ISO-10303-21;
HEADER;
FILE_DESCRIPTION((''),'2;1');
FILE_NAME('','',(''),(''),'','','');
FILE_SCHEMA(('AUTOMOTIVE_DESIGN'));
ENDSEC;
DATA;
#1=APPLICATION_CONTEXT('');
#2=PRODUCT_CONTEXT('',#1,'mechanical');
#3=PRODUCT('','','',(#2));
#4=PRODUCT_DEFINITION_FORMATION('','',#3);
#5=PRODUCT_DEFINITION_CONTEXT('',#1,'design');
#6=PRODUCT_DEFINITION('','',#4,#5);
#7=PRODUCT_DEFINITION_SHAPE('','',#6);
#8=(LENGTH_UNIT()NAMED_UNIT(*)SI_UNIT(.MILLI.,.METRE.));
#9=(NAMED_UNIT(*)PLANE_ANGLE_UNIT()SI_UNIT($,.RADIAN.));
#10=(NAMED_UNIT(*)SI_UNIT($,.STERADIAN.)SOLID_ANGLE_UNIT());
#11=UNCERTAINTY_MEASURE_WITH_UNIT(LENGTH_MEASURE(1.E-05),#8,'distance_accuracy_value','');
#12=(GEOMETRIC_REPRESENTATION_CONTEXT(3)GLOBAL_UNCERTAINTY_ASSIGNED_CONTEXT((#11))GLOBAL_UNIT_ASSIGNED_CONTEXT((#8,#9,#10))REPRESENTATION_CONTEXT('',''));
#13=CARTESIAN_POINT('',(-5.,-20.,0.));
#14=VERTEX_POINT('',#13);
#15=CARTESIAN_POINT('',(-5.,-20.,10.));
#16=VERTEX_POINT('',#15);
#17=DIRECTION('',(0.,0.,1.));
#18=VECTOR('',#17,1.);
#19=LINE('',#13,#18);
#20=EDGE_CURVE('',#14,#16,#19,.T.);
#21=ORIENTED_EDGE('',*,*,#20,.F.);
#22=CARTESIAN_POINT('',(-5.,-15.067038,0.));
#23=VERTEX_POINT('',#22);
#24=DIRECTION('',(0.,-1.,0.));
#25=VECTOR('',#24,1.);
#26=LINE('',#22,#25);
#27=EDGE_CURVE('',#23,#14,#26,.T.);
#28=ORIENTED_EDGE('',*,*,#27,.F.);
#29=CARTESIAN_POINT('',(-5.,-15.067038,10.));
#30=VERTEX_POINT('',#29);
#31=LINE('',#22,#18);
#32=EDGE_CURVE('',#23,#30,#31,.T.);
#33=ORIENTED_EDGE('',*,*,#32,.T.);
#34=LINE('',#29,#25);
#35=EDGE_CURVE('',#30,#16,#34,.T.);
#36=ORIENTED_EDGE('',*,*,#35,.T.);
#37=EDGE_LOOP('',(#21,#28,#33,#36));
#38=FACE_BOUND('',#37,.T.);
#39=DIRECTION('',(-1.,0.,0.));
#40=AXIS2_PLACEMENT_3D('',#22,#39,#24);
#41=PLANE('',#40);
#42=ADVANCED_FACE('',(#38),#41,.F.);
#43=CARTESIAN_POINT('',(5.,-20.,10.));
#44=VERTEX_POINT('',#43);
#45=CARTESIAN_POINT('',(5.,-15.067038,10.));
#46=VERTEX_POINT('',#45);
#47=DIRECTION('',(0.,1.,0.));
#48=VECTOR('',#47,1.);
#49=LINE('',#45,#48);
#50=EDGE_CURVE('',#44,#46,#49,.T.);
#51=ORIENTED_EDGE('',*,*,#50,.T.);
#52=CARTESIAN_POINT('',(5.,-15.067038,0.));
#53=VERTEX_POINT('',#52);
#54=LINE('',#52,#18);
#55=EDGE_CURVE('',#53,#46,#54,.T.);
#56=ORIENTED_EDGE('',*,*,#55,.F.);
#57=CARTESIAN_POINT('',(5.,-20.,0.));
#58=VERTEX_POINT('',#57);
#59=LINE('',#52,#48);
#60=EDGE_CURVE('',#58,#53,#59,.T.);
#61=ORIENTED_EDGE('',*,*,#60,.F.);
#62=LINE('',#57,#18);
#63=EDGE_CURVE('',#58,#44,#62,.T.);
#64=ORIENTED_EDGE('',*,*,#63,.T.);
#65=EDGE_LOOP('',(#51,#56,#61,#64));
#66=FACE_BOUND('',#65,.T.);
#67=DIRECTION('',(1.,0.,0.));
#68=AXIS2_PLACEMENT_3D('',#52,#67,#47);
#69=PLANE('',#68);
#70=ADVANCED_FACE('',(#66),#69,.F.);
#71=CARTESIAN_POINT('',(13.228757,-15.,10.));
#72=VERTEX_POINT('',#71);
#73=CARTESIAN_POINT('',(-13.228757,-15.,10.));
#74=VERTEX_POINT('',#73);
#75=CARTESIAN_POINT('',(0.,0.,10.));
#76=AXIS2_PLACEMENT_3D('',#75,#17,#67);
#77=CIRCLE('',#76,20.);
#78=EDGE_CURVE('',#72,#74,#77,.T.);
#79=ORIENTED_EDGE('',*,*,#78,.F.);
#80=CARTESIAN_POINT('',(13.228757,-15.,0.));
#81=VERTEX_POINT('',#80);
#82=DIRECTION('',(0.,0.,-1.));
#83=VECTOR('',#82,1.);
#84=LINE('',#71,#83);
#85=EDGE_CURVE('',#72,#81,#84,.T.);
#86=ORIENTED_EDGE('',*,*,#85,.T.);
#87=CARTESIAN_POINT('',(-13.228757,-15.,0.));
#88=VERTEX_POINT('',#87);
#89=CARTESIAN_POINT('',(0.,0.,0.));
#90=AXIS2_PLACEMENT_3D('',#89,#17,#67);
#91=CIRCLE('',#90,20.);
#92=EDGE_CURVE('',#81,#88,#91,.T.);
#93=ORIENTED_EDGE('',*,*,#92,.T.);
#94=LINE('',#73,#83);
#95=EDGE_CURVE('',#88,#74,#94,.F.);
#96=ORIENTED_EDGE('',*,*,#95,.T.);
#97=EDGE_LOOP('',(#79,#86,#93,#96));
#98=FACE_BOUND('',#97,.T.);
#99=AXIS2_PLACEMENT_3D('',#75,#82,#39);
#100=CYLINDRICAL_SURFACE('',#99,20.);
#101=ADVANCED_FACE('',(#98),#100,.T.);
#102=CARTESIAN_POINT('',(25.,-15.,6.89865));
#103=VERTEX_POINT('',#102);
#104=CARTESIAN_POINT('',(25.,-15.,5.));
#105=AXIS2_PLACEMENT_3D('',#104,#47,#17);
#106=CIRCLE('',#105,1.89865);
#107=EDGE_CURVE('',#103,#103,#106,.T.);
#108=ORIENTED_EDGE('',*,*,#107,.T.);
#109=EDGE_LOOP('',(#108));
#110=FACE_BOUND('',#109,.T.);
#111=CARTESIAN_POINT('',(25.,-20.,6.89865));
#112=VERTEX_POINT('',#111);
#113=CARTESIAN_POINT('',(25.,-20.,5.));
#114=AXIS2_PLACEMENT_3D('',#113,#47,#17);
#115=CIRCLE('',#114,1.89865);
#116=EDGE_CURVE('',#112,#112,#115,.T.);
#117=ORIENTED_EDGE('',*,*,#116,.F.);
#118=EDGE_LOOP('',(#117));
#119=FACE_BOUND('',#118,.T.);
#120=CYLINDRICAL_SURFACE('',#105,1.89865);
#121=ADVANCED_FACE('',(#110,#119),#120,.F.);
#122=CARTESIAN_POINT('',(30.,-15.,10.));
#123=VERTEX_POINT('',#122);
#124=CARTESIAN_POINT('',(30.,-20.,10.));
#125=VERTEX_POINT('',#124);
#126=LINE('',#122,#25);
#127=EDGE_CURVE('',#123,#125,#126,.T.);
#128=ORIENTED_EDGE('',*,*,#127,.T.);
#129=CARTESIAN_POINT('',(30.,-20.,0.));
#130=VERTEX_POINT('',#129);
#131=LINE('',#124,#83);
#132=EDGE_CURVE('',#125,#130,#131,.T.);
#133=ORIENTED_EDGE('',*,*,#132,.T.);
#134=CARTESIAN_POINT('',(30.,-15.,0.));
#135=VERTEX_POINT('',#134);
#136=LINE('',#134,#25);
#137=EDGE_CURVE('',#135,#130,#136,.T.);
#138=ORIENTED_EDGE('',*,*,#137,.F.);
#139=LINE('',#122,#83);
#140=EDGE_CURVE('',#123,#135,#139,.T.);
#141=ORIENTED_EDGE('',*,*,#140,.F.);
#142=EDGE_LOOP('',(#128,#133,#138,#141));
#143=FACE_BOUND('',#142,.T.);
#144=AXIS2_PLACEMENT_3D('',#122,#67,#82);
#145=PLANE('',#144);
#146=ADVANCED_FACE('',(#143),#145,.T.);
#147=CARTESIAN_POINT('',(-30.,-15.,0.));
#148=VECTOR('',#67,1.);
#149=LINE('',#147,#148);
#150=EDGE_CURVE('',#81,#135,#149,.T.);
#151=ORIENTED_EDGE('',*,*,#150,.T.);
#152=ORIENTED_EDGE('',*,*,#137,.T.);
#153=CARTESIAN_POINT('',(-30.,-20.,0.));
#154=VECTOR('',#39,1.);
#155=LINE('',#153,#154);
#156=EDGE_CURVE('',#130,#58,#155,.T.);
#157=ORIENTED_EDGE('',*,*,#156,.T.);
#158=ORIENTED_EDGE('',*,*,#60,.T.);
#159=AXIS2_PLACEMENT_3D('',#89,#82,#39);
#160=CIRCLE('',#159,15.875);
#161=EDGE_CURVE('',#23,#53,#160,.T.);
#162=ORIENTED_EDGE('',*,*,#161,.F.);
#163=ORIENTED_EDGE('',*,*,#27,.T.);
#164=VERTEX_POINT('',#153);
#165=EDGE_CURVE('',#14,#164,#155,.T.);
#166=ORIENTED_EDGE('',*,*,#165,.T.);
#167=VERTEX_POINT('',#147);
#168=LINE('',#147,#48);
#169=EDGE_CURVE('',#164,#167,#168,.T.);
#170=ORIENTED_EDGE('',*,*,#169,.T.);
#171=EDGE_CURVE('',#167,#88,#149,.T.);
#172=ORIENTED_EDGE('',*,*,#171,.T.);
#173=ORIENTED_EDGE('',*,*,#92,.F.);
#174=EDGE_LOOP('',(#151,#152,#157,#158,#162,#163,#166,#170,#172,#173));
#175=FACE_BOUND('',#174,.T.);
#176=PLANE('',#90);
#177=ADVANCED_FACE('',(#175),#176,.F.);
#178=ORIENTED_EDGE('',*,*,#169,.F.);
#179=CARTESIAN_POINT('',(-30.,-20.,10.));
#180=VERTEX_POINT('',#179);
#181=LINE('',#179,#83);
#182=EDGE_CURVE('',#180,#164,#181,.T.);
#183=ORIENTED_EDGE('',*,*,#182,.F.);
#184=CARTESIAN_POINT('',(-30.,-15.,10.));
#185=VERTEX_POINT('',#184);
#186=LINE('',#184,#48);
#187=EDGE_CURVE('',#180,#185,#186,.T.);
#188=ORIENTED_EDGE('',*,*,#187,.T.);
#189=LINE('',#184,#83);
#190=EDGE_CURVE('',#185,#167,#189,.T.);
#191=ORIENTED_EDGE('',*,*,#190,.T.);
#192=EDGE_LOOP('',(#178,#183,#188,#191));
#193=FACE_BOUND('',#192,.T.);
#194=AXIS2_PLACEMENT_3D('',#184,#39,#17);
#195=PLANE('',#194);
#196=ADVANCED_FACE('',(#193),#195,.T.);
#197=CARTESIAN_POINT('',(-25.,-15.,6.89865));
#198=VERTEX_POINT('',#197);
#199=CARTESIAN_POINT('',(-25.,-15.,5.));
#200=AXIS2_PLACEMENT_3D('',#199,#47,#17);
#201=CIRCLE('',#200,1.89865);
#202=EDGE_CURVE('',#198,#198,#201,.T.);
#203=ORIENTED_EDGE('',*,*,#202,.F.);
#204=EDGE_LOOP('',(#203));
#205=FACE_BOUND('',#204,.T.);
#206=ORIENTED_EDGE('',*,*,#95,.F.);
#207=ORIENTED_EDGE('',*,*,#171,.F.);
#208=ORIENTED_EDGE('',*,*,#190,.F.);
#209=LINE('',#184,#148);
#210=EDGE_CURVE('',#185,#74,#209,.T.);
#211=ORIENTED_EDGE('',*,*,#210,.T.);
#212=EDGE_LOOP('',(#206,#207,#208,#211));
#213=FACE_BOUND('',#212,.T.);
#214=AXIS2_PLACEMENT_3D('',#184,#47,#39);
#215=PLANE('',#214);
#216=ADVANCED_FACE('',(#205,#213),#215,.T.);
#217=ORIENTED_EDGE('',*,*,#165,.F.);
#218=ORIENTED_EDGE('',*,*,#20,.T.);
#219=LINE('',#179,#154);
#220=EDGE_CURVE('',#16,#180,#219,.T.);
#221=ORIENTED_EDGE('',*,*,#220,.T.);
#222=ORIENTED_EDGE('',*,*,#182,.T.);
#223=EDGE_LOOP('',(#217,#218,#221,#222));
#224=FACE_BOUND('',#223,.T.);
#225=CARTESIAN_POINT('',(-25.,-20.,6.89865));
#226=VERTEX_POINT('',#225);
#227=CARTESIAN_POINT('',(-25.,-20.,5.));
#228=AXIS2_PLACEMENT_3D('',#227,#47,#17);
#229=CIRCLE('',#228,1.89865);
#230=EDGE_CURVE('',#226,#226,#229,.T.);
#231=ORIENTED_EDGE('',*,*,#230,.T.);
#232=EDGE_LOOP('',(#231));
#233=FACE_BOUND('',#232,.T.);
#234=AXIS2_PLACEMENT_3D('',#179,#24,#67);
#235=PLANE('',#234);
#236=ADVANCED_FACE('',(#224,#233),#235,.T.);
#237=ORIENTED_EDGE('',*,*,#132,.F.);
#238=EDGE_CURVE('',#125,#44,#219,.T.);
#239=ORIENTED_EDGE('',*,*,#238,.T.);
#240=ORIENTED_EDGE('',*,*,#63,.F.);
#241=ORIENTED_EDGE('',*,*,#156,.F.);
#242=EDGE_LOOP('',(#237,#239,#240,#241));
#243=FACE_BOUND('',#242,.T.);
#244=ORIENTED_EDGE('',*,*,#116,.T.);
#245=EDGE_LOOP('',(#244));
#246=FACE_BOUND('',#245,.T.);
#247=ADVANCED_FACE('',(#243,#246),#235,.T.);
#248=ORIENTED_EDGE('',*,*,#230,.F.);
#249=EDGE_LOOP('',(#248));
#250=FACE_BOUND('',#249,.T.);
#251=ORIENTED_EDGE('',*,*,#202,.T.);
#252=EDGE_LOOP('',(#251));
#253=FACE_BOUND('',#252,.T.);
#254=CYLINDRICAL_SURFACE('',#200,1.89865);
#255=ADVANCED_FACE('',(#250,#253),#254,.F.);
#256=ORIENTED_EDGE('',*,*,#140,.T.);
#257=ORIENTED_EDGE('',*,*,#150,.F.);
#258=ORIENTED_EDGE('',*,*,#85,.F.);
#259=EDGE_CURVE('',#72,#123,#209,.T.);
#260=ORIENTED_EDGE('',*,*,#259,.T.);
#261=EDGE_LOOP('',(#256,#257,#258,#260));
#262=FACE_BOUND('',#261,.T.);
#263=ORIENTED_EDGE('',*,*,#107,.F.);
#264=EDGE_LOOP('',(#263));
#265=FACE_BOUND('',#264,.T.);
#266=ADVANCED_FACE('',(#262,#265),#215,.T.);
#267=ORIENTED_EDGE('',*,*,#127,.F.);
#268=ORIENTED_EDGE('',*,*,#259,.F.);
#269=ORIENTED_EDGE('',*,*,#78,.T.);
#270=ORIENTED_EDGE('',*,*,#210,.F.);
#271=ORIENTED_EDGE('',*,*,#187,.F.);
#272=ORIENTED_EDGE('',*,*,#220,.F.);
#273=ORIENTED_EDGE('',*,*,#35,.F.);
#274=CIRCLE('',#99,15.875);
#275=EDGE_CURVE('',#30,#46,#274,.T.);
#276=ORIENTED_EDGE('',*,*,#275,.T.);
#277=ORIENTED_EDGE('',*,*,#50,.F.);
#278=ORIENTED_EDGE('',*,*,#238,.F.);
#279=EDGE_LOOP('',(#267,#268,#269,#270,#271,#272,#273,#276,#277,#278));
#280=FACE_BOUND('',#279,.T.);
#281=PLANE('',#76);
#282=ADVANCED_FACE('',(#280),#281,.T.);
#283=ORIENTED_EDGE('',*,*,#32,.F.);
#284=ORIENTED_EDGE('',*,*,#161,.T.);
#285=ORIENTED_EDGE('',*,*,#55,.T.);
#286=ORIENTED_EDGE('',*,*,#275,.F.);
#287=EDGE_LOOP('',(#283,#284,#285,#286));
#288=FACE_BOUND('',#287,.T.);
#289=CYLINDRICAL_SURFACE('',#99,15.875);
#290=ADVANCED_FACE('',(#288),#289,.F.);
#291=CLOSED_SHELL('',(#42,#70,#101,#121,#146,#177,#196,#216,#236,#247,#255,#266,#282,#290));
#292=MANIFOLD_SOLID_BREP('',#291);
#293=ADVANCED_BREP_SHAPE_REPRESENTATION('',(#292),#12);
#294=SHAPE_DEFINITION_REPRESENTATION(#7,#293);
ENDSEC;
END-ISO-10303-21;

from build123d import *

# Parameters (mm, degrees)
SKETCH1_R             = 20
BOSS_EXTRUDE1_DEPTH   = 10
SKETCH2_W             = 60
SKETCH2_H             = 5
BOSS_EXTRUDE2_DEPTH   = 10
SKETCH3_R             = 15.875
CUT_EXTRUDE1_DEPTH    = 38.416573868
SKETCH4_W             = 10
SKETCH4_H             = 4.932962302
CUT_EXTRUDE2_DEPTH    = 38.416573868
F_6_CLEARANCE_HOLE1_D = 3.7973


with BuildPart() as part:
    # Sketch1 → Boss-Extrude1 (new body)
    with BuildSketch(Plane.XY):
        Circle(SKETCH1_R)
    extrude(amount=BOSS_EXTRUDE1_DEPTH)

    # Sketch2 → Boss-Extrude2 (add)
    with BuildSketch(Plane(origin=(0, 0, 0), x_dir=(-1, 0, 0), z_dir=(0, 0, -1))):
        with Locations((0, -17.5)):
            Rectangle(SKETCH2_W, SKETCH2_H)
    extrude(amount=-BOSS_EXTRUDE2_DEPTH)

    # Sketch3 → Cut-Extrude1 (cut, through all)
    with BuildSketch(Plane(origin=(0, 0, 0), x_dir=(-1, 0, 0), z_dir=(0, 0, -1))):
        Circle(SKETCH3_R)
    extrude(amount=-CUT_EXTRUDE1_DEPTH, mode=Mode.SUBTRACT)

    # Sketch4 → Cut-Extrude2 (cut, through all)
    with BuildSketch(Plane.XY.offset(10)):
        with Locations((0, -17.533518849)):
            Rectangle(SKETCH4_W, SKETCH4_H)
    extrude(amount=-CUT_EXTRUDE2_DEPTH, mode=Mode.SUBTRACT)

    # #6 Clearance Hole1 (through all)
    with Locations(Plane(origin=(0, -15, 0), x_dir=(1, 0, 0), z_dir=(0, 1, 0))):
        with Locations((-25, -5)):
            f_6_clearance_hole1 = Hole(F_6_CLEARANCE_HOLE1_D / 2)

    # Mirror1: #6 Clearance Hole1 across plane
    add(f_6_clearance_hole1.mirror(Plane(origin=(0, 0, 0), x_dir=(0, 0, 1), z_dir=(1, 0, 0))), mode=Mode.SUBTRACT)


solid = part.part
